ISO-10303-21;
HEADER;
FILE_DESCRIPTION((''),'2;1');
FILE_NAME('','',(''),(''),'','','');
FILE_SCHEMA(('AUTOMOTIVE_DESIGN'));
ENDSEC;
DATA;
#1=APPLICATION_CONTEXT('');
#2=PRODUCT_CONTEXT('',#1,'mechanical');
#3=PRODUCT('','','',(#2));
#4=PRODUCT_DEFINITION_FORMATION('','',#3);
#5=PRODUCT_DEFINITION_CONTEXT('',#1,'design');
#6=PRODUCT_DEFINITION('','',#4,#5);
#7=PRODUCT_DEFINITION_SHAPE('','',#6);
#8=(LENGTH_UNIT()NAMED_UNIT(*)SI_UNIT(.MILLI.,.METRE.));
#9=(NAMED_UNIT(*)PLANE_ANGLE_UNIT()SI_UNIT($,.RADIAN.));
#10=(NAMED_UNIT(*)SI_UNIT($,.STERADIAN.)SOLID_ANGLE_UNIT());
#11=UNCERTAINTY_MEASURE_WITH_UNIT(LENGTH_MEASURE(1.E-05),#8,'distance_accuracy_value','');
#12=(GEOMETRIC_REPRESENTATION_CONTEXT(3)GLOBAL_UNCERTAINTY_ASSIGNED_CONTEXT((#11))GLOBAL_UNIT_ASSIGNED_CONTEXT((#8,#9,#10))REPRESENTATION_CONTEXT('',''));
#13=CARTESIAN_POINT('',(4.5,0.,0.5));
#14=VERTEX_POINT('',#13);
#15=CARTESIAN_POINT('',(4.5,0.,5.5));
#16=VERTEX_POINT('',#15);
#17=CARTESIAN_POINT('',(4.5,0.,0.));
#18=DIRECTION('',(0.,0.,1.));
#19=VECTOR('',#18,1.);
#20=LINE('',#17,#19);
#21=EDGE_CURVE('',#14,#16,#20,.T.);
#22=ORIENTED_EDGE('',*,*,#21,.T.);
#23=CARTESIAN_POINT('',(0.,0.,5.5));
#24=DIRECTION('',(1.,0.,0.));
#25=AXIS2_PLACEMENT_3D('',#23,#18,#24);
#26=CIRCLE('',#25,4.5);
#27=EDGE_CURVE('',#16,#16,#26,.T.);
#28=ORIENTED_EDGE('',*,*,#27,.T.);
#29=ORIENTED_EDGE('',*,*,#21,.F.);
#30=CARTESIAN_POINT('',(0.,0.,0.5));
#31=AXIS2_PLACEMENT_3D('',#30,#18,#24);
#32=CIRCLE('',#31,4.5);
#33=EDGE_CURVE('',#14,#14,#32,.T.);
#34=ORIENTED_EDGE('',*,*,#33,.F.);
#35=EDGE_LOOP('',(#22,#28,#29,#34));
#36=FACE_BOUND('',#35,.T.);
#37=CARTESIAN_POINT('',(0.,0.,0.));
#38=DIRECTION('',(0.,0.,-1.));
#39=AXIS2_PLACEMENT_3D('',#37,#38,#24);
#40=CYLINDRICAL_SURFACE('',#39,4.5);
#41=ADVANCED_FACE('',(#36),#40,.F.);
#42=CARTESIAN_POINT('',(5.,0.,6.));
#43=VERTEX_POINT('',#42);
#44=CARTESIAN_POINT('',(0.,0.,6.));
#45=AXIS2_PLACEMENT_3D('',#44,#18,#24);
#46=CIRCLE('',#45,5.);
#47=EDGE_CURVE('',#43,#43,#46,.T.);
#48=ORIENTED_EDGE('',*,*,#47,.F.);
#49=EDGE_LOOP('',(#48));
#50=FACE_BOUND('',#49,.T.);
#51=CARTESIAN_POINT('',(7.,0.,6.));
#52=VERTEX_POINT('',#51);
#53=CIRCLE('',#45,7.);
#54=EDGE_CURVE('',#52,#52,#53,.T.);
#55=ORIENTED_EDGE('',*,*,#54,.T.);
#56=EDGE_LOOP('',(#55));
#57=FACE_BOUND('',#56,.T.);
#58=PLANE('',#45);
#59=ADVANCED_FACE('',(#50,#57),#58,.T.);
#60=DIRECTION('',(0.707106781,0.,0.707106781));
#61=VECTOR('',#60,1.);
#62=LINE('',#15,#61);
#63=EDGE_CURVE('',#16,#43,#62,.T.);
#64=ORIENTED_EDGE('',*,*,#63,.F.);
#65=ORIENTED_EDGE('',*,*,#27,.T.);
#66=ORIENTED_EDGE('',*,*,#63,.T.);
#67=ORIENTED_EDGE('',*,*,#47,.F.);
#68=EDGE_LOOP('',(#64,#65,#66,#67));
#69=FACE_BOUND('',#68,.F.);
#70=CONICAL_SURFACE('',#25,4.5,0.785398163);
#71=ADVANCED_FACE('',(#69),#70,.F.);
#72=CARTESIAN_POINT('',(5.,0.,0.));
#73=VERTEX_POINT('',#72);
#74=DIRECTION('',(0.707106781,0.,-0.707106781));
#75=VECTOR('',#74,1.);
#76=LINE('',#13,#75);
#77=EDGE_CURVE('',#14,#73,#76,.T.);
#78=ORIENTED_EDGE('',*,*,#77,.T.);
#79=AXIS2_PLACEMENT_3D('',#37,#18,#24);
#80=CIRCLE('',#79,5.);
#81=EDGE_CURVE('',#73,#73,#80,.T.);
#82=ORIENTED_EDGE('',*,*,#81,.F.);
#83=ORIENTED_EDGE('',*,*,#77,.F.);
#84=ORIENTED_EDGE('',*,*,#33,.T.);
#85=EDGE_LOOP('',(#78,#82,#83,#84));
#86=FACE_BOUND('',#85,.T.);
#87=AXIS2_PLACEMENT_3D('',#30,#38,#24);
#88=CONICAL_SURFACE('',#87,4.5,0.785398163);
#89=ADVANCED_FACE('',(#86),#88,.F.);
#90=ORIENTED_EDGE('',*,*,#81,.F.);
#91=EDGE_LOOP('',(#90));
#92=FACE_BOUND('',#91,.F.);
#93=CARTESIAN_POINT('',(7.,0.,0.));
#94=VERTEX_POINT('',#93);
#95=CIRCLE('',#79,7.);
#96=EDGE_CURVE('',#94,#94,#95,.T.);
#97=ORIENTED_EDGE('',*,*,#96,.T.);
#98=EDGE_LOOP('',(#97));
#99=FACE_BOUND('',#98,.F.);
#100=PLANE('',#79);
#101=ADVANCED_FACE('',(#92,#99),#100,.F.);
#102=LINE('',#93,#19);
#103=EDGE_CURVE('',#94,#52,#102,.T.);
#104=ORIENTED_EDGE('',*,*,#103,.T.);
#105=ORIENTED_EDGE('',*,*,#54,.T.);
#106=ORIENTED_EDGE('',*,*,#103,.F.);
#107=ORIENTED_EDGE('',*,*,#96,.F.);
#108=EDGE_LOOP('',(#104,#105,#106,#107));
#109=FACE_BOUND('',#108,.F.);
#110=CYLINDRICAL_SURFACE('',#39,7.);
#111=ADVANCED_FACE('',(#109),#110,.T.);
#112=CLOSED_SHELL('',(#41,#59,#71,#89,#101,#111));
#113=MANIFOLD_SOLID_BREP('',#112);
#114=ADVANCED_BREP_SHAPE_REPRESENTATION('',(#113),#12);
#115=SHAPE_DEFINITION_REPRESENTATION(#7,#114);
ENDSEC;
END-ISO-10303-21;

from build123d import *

# Parameters (mm, degrees)
F0_R     = 7
F0_R_2   = 4.5
F1_DEPTH = 6
F2_SIZE2 = 0.5
F2_SIZE  = 0.5


with BuildPart() as f1:
    # F0 (on Top) → F1 (new body)
    with BuildSketch(Plane.XY):
        Circle(F0_R)
        Circle(F0_R_2, mode=Mode.SUBTRACT)
    extrude(amount=F1_DEPTH)

    # F2
    f2_edges = [f1.edges().sort_by_distance(p)[0] for p in [
        (4.5, 0, 3),
        (-4.5, 0, 0),
        (-4.5, 0, 6),
    ]]
    chamfer(f2_edges, length=F2_SIZE, length2=F2_SIZE2)


solid = f1.part
